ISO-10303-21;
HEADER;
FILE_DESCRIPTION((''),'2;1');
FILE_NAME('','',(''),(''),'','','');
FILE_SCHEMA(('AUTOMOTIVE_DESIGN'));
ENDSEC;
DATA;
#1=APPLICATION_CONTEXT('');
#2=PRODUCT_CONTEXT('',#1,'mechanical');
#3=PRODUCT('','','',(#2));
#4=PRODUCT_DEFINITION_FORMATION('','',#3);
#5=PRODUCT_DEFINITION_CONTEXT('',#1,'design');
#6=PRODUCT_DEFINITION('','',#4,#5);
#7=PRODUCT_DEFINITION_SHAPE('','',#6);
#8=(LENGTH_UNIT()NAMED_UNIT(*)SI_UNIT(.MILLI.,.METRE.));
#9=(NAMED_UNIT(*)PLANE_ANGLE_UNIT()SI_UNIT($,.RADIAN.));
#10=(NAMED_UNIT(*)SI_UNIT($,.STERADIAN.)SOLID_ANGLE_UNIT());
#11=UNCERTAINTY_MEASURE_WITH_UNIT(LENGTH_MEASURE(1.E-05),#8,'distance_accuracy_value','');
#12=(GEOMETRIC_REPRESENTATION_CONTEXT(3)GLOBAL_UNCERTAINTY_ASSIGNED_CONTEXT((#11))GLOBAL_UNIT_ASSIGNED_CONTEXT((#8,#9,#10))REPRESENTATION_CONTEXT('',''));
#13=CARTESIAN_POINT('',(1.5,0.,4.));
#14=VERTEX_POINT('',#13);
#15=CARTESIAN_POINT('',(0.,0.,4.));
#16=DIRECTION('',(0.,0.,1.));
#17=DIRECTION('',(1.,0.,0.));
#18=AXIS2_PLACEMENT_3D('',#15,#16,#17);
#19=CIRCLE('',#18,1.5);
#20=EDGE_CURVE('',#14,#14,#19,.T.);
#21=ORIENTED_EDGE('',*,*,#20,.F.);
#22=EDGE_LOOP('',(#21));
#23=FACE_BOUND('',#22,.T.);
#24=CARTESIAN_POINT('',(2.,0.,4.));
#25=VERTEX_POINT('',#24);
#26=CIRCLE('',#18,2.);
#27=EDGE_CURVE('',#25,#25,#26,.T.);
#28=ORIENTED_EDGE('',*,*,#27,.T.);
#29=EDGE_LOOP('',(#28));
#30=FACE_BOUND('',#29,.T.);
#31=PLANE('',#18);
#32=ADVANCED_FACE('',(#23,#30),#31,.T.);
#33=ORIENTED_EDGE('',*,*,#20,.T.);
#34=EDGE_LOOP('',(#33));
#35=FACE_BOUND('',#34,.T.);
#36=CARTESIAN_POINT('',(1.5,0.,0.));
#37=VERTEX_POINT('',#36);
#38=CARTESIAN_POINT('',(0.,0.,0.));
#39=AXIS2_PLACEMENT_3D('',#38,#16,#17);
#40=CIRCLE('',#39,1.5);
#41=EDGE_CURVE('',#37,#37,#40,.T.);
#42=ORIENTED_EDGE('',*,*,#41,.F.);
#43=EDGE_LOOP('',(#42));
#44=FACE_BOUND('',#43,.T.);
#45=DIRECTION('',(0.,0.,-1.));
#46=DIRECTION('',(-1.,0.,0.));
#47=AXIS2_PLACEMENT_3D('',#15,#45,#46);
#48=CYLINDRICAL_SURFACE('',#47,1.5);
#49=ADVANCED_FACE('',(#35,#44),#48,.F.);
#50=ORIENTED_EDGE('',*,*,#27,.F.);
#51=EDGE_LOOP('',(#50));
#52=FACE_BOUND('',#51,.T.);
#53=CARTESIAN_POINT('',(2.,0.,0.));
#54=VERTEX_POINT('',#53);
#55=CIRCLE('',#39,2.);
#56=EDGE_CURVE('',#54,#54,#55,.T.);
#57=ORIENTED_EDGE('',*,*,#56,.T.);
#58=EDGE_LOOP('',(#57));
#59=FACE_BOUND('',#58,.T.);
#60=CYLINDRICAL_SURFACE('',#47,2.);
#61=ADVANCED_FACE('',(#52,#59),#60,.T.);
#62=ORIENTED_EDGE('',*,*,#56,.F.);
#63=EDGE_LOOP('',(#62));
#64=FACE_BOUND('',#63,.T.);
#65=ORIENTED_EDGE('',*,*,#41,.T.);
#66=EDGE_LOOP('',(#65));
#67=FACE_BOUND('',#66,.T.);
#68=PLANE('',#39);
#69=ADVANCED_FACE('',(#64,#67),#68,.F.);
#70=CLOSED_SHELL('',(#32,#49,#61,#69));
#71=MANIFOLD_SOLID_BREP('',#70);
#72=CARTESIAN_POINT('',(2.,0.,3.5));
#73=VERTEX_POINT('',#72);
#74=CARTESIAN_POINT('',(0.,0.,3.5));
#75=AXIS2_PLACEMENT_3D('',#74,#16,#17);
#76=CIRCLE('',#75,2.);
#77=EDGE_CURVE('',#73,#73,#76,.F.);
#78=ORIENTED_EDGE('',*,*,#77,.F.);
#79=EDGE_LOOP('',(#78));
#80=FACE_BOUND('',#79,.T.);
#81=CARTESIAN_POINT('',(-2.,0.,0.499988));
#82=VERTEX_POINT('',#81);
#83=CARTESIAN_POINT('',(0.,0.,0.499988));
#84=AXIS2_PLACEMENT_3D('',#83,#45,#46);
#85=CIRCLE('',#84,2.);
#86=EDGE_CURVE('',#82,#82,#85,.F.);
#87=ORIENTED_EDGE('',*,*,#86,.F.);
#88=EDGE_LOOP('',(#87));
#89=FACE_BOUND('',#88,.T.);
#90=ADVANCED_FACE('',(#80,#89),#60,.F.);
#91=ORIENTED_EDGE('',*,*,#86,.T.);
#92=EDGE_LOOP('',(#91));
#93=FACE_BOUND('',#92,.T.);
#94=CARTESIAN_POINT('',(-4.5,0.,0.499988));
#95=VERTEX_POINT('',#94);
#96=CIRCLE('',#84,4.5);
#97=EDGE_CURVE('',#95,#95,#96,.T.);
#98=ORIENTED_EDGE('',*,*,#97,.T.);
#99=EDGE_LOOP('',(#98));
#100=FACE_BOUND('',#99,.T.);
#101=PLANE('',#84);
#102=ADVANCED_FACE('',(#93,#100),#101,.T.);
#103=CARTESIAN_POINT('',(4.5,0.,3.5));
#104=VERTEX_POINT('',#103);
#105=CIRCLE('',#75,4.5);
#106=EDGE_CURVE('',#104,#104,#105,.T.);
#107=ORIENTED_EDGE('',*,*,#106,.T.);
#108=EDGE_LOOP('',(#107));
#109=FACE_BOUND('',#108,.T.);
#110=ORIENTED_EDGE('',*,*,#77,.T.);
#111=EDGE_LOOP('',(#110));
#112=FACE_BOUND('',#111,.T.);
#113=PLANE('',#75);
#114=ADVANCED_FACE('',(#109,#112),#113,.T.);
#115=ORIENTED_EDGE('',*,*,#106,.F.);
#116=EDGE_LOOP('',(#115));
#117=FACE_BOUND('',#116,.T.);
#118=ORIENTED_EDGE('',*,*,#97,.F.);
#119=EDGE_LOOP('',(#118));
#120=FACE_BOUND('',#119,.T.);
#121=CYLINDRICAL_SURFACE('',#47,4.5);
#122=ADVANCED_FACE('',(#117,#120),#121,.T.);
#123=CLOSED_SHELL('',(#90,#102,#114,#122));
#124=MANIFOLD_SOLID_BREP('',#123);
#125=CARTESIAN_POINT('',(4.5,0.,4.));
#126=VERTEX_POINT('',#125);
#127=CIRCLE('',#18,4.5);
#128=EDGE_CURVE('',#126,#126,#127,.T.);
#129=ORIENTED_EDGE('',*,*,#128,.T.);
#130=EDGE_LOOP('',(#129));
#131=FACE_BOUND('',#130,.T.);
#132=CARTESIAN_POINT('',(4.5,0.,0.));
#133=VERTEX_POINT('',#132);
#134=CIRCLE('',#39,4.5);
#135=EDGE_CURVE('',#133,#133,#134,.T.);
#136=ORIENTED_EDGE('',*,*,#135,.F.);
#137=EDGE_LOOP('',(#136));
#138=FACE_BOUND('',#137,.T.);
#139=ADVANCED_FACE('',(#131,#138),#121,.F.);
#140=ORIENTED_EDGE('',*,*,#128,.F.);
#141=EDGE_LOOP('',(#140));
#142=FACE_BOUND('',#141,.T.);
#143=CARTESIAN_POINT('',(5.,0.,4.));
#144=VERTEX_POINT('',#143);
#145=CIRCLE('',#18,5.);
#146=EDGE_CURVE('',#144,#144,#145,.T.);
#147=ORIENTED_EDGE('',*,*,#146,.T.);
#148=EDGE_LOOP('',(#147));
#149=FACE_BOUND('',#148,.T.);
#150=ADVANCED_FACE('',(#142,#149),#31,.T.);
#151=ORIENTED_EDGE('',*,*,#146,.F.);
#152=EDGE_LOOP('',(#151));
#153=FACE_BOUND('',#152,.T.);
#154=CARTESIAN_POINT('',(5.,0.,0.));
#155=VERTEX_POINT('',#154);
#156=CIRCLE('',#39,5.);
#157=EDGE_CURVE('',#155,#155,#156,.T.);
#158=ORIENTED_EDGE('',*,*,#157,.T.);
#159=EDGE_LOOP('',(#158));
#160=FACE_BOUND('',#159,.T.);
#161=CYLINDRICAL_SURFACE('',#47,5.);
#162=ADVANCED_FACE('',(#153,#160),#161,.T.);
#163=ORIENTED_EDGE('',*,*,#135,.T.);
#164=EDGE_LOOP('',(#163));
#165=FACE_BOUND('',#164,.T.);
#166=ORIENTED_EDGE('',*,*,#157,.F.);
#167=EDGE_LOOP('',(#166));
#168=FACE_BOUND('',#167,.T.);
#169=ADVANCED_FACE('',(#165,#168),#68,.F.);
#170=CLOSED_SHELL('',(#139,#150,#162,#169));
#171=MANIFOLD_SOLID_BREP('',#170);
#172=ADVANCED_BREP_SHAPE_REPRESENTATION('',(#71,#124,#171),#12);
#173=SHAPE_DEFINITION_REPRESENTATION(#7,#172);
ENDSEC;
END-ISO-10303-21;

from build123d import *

# Parameters (mm, degrees)
SKETCH1_R             = 5
SKETCH1_R_2           = 4.5
BOSS_EXTRUDE1_DEPTH   = 4
SKETCH1_R_3           = 2
SKETCH1_R_4           = 1.5
BOSS_EXTRUDE1_2_DEPTH = 4
BOSS_EXTRUDE2_START   = -1.2e-05
SKETCH1_3_R           = 4.5
SKETCH1_3_R_2         = 2
BOSS_EXTRUDE2_DEPTH   = 4.000012
SKETCH2_R             = 4.5
SKETCH2_R_2           = 2
CUT_EXTRUDE3_DEPTH    = 0.5
CUT_EXTRUDE4_START    = -0.5
SKETCH3_R             = 4.5
SKETCH3_R_2           = 2
CUT_EXTRUDE4_DEPTH    = 0.5


with BuildPart() as part:
    # Sketch1 → Boss-Extrude1 (new body)
    with BuildSketch(Plane.XY):
        Circle(SKETCH1_R)
        Circle(SKETCH1_R_2, mode=Mode.SUBTRACT)
    extrude(amount=BOSS_EXTRUDE1_DEPTH)


with BuildPart() as body_2:
    # Sketch1 → Boss-Extrude1 2 (new body)
    with BuildSketch(Plane.XY):
        Circle(SKETCH1_R_3)
        Circle(SKETCH1_R_4, mode=Mode.SUBTRACT)
    extrude(amount=BOSS_EXTRUDE1_2_DEPTH)


with BuildPart() as body_3:
    # Sketch1<3> → Boss-Extrude2 (new body)
    with BuildSketch(Plane.XY.offset(BOSS_EXTRUDE2_START)):
        Circle(SKETCH1_3_R)
        Circle(SKETCH1_3_R_2, mode=Mode.SUBTRACT)
    extrude(amount=BOSS_EXTRUDE2_DEPTH)

    # Sketch2 → Cut-Extrude3 (cut)
    with BuildSketch(Plane(origin=(0, 0, -1.2e-05), x_dir=(-1, 0, 0), z_dir=(0, 0, -1))):
        Circle(SKETCH2_R)
        Circle(SKETCH2_R_2, mode=Mode.SUBTRACT)
    extrude(amount=-CUT_EXTRUDE3_DEPTH, mode=Mode.SUBTRACT)

    # Sketch3 → Cut-Extrude4 (cut)
    with BuildSketch(Plane.XY.offset(4).offset(CUT_EXTRUDE4_START)):
        with Locations(Location((0, 0, 0), (0, 0, 180))):
            Circle(SKETCH3_R)
        with Locations(Location((0, 0, 0), (0, 0, 180))):
            Circle(SKETCH3_R_2, mode=Mode.SUBTRACT)
    extrude(amount=CUT_EXTRUDE4_DEPTH, mode=Mode.SUBTRACT)


solid = Compound([part.part, body_2.part, body_3.part])
